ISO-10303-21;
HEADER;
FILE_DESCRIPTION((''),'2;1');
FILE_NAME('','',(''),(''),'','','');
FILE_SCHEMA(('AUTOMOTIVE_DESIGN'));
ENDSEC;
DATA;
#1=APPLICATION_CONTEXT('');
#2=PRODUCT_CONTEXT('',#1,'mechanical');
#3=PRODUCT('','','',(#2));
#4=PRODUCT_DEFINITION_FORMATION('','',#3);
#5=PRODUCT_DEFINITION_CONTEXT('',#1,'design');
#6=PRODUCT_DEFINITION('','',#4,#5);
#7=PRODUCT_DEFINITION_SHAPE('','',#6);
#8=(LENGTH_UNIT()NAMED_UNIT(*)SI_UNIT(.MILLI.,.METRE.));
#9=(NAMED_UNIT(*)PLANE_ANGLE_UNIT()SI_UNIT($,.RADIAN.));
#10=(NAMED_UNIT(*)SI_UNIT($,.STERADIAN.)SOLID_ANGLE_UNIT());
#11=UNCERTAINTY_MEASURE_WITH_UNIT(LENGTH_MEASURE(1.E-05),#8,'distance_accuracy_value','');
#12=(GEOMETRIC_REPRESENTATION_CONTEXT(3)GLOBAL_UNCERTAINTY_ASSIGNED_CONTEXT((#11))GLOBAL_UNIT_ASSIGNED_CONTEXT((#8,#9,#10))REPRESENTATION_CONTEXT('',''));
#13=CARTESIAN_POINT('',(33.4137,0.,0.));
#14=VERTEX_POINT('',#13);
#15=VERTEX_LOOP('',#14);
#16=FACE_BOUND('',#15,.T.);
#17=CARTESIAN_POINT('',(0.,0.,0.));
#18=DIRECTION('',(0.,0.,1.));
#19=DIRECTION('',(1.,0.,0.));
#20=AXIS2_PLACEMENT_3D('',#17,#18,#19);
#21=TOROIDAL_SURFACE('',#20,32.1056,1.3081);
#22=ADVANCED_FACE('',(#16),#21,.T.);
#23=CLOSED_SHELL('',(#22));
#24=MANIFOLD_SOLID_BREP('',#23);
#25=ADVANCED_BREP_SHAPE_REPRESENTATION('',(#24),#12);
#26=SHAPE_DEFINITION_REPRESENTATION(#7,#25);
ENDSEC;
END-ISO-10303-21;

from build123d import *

# Parameters (mm, degrees)
SKETCH1_R = 1.3081


with BuildPart() as part:
    # Sketch1 → Revolve1 (revolve)
    with BuildSketch(Plane(origin=(0, 0, 0), x_dir=(0, -1, 0), z_dir=(1, 0, 0))):
        with Locations((32.1056, 0)):
            Circle(SKETCH1_R)
    revolve(axis=Axis((0, 0, 1.3081), (0, 0, -1)))


solid = part.part
